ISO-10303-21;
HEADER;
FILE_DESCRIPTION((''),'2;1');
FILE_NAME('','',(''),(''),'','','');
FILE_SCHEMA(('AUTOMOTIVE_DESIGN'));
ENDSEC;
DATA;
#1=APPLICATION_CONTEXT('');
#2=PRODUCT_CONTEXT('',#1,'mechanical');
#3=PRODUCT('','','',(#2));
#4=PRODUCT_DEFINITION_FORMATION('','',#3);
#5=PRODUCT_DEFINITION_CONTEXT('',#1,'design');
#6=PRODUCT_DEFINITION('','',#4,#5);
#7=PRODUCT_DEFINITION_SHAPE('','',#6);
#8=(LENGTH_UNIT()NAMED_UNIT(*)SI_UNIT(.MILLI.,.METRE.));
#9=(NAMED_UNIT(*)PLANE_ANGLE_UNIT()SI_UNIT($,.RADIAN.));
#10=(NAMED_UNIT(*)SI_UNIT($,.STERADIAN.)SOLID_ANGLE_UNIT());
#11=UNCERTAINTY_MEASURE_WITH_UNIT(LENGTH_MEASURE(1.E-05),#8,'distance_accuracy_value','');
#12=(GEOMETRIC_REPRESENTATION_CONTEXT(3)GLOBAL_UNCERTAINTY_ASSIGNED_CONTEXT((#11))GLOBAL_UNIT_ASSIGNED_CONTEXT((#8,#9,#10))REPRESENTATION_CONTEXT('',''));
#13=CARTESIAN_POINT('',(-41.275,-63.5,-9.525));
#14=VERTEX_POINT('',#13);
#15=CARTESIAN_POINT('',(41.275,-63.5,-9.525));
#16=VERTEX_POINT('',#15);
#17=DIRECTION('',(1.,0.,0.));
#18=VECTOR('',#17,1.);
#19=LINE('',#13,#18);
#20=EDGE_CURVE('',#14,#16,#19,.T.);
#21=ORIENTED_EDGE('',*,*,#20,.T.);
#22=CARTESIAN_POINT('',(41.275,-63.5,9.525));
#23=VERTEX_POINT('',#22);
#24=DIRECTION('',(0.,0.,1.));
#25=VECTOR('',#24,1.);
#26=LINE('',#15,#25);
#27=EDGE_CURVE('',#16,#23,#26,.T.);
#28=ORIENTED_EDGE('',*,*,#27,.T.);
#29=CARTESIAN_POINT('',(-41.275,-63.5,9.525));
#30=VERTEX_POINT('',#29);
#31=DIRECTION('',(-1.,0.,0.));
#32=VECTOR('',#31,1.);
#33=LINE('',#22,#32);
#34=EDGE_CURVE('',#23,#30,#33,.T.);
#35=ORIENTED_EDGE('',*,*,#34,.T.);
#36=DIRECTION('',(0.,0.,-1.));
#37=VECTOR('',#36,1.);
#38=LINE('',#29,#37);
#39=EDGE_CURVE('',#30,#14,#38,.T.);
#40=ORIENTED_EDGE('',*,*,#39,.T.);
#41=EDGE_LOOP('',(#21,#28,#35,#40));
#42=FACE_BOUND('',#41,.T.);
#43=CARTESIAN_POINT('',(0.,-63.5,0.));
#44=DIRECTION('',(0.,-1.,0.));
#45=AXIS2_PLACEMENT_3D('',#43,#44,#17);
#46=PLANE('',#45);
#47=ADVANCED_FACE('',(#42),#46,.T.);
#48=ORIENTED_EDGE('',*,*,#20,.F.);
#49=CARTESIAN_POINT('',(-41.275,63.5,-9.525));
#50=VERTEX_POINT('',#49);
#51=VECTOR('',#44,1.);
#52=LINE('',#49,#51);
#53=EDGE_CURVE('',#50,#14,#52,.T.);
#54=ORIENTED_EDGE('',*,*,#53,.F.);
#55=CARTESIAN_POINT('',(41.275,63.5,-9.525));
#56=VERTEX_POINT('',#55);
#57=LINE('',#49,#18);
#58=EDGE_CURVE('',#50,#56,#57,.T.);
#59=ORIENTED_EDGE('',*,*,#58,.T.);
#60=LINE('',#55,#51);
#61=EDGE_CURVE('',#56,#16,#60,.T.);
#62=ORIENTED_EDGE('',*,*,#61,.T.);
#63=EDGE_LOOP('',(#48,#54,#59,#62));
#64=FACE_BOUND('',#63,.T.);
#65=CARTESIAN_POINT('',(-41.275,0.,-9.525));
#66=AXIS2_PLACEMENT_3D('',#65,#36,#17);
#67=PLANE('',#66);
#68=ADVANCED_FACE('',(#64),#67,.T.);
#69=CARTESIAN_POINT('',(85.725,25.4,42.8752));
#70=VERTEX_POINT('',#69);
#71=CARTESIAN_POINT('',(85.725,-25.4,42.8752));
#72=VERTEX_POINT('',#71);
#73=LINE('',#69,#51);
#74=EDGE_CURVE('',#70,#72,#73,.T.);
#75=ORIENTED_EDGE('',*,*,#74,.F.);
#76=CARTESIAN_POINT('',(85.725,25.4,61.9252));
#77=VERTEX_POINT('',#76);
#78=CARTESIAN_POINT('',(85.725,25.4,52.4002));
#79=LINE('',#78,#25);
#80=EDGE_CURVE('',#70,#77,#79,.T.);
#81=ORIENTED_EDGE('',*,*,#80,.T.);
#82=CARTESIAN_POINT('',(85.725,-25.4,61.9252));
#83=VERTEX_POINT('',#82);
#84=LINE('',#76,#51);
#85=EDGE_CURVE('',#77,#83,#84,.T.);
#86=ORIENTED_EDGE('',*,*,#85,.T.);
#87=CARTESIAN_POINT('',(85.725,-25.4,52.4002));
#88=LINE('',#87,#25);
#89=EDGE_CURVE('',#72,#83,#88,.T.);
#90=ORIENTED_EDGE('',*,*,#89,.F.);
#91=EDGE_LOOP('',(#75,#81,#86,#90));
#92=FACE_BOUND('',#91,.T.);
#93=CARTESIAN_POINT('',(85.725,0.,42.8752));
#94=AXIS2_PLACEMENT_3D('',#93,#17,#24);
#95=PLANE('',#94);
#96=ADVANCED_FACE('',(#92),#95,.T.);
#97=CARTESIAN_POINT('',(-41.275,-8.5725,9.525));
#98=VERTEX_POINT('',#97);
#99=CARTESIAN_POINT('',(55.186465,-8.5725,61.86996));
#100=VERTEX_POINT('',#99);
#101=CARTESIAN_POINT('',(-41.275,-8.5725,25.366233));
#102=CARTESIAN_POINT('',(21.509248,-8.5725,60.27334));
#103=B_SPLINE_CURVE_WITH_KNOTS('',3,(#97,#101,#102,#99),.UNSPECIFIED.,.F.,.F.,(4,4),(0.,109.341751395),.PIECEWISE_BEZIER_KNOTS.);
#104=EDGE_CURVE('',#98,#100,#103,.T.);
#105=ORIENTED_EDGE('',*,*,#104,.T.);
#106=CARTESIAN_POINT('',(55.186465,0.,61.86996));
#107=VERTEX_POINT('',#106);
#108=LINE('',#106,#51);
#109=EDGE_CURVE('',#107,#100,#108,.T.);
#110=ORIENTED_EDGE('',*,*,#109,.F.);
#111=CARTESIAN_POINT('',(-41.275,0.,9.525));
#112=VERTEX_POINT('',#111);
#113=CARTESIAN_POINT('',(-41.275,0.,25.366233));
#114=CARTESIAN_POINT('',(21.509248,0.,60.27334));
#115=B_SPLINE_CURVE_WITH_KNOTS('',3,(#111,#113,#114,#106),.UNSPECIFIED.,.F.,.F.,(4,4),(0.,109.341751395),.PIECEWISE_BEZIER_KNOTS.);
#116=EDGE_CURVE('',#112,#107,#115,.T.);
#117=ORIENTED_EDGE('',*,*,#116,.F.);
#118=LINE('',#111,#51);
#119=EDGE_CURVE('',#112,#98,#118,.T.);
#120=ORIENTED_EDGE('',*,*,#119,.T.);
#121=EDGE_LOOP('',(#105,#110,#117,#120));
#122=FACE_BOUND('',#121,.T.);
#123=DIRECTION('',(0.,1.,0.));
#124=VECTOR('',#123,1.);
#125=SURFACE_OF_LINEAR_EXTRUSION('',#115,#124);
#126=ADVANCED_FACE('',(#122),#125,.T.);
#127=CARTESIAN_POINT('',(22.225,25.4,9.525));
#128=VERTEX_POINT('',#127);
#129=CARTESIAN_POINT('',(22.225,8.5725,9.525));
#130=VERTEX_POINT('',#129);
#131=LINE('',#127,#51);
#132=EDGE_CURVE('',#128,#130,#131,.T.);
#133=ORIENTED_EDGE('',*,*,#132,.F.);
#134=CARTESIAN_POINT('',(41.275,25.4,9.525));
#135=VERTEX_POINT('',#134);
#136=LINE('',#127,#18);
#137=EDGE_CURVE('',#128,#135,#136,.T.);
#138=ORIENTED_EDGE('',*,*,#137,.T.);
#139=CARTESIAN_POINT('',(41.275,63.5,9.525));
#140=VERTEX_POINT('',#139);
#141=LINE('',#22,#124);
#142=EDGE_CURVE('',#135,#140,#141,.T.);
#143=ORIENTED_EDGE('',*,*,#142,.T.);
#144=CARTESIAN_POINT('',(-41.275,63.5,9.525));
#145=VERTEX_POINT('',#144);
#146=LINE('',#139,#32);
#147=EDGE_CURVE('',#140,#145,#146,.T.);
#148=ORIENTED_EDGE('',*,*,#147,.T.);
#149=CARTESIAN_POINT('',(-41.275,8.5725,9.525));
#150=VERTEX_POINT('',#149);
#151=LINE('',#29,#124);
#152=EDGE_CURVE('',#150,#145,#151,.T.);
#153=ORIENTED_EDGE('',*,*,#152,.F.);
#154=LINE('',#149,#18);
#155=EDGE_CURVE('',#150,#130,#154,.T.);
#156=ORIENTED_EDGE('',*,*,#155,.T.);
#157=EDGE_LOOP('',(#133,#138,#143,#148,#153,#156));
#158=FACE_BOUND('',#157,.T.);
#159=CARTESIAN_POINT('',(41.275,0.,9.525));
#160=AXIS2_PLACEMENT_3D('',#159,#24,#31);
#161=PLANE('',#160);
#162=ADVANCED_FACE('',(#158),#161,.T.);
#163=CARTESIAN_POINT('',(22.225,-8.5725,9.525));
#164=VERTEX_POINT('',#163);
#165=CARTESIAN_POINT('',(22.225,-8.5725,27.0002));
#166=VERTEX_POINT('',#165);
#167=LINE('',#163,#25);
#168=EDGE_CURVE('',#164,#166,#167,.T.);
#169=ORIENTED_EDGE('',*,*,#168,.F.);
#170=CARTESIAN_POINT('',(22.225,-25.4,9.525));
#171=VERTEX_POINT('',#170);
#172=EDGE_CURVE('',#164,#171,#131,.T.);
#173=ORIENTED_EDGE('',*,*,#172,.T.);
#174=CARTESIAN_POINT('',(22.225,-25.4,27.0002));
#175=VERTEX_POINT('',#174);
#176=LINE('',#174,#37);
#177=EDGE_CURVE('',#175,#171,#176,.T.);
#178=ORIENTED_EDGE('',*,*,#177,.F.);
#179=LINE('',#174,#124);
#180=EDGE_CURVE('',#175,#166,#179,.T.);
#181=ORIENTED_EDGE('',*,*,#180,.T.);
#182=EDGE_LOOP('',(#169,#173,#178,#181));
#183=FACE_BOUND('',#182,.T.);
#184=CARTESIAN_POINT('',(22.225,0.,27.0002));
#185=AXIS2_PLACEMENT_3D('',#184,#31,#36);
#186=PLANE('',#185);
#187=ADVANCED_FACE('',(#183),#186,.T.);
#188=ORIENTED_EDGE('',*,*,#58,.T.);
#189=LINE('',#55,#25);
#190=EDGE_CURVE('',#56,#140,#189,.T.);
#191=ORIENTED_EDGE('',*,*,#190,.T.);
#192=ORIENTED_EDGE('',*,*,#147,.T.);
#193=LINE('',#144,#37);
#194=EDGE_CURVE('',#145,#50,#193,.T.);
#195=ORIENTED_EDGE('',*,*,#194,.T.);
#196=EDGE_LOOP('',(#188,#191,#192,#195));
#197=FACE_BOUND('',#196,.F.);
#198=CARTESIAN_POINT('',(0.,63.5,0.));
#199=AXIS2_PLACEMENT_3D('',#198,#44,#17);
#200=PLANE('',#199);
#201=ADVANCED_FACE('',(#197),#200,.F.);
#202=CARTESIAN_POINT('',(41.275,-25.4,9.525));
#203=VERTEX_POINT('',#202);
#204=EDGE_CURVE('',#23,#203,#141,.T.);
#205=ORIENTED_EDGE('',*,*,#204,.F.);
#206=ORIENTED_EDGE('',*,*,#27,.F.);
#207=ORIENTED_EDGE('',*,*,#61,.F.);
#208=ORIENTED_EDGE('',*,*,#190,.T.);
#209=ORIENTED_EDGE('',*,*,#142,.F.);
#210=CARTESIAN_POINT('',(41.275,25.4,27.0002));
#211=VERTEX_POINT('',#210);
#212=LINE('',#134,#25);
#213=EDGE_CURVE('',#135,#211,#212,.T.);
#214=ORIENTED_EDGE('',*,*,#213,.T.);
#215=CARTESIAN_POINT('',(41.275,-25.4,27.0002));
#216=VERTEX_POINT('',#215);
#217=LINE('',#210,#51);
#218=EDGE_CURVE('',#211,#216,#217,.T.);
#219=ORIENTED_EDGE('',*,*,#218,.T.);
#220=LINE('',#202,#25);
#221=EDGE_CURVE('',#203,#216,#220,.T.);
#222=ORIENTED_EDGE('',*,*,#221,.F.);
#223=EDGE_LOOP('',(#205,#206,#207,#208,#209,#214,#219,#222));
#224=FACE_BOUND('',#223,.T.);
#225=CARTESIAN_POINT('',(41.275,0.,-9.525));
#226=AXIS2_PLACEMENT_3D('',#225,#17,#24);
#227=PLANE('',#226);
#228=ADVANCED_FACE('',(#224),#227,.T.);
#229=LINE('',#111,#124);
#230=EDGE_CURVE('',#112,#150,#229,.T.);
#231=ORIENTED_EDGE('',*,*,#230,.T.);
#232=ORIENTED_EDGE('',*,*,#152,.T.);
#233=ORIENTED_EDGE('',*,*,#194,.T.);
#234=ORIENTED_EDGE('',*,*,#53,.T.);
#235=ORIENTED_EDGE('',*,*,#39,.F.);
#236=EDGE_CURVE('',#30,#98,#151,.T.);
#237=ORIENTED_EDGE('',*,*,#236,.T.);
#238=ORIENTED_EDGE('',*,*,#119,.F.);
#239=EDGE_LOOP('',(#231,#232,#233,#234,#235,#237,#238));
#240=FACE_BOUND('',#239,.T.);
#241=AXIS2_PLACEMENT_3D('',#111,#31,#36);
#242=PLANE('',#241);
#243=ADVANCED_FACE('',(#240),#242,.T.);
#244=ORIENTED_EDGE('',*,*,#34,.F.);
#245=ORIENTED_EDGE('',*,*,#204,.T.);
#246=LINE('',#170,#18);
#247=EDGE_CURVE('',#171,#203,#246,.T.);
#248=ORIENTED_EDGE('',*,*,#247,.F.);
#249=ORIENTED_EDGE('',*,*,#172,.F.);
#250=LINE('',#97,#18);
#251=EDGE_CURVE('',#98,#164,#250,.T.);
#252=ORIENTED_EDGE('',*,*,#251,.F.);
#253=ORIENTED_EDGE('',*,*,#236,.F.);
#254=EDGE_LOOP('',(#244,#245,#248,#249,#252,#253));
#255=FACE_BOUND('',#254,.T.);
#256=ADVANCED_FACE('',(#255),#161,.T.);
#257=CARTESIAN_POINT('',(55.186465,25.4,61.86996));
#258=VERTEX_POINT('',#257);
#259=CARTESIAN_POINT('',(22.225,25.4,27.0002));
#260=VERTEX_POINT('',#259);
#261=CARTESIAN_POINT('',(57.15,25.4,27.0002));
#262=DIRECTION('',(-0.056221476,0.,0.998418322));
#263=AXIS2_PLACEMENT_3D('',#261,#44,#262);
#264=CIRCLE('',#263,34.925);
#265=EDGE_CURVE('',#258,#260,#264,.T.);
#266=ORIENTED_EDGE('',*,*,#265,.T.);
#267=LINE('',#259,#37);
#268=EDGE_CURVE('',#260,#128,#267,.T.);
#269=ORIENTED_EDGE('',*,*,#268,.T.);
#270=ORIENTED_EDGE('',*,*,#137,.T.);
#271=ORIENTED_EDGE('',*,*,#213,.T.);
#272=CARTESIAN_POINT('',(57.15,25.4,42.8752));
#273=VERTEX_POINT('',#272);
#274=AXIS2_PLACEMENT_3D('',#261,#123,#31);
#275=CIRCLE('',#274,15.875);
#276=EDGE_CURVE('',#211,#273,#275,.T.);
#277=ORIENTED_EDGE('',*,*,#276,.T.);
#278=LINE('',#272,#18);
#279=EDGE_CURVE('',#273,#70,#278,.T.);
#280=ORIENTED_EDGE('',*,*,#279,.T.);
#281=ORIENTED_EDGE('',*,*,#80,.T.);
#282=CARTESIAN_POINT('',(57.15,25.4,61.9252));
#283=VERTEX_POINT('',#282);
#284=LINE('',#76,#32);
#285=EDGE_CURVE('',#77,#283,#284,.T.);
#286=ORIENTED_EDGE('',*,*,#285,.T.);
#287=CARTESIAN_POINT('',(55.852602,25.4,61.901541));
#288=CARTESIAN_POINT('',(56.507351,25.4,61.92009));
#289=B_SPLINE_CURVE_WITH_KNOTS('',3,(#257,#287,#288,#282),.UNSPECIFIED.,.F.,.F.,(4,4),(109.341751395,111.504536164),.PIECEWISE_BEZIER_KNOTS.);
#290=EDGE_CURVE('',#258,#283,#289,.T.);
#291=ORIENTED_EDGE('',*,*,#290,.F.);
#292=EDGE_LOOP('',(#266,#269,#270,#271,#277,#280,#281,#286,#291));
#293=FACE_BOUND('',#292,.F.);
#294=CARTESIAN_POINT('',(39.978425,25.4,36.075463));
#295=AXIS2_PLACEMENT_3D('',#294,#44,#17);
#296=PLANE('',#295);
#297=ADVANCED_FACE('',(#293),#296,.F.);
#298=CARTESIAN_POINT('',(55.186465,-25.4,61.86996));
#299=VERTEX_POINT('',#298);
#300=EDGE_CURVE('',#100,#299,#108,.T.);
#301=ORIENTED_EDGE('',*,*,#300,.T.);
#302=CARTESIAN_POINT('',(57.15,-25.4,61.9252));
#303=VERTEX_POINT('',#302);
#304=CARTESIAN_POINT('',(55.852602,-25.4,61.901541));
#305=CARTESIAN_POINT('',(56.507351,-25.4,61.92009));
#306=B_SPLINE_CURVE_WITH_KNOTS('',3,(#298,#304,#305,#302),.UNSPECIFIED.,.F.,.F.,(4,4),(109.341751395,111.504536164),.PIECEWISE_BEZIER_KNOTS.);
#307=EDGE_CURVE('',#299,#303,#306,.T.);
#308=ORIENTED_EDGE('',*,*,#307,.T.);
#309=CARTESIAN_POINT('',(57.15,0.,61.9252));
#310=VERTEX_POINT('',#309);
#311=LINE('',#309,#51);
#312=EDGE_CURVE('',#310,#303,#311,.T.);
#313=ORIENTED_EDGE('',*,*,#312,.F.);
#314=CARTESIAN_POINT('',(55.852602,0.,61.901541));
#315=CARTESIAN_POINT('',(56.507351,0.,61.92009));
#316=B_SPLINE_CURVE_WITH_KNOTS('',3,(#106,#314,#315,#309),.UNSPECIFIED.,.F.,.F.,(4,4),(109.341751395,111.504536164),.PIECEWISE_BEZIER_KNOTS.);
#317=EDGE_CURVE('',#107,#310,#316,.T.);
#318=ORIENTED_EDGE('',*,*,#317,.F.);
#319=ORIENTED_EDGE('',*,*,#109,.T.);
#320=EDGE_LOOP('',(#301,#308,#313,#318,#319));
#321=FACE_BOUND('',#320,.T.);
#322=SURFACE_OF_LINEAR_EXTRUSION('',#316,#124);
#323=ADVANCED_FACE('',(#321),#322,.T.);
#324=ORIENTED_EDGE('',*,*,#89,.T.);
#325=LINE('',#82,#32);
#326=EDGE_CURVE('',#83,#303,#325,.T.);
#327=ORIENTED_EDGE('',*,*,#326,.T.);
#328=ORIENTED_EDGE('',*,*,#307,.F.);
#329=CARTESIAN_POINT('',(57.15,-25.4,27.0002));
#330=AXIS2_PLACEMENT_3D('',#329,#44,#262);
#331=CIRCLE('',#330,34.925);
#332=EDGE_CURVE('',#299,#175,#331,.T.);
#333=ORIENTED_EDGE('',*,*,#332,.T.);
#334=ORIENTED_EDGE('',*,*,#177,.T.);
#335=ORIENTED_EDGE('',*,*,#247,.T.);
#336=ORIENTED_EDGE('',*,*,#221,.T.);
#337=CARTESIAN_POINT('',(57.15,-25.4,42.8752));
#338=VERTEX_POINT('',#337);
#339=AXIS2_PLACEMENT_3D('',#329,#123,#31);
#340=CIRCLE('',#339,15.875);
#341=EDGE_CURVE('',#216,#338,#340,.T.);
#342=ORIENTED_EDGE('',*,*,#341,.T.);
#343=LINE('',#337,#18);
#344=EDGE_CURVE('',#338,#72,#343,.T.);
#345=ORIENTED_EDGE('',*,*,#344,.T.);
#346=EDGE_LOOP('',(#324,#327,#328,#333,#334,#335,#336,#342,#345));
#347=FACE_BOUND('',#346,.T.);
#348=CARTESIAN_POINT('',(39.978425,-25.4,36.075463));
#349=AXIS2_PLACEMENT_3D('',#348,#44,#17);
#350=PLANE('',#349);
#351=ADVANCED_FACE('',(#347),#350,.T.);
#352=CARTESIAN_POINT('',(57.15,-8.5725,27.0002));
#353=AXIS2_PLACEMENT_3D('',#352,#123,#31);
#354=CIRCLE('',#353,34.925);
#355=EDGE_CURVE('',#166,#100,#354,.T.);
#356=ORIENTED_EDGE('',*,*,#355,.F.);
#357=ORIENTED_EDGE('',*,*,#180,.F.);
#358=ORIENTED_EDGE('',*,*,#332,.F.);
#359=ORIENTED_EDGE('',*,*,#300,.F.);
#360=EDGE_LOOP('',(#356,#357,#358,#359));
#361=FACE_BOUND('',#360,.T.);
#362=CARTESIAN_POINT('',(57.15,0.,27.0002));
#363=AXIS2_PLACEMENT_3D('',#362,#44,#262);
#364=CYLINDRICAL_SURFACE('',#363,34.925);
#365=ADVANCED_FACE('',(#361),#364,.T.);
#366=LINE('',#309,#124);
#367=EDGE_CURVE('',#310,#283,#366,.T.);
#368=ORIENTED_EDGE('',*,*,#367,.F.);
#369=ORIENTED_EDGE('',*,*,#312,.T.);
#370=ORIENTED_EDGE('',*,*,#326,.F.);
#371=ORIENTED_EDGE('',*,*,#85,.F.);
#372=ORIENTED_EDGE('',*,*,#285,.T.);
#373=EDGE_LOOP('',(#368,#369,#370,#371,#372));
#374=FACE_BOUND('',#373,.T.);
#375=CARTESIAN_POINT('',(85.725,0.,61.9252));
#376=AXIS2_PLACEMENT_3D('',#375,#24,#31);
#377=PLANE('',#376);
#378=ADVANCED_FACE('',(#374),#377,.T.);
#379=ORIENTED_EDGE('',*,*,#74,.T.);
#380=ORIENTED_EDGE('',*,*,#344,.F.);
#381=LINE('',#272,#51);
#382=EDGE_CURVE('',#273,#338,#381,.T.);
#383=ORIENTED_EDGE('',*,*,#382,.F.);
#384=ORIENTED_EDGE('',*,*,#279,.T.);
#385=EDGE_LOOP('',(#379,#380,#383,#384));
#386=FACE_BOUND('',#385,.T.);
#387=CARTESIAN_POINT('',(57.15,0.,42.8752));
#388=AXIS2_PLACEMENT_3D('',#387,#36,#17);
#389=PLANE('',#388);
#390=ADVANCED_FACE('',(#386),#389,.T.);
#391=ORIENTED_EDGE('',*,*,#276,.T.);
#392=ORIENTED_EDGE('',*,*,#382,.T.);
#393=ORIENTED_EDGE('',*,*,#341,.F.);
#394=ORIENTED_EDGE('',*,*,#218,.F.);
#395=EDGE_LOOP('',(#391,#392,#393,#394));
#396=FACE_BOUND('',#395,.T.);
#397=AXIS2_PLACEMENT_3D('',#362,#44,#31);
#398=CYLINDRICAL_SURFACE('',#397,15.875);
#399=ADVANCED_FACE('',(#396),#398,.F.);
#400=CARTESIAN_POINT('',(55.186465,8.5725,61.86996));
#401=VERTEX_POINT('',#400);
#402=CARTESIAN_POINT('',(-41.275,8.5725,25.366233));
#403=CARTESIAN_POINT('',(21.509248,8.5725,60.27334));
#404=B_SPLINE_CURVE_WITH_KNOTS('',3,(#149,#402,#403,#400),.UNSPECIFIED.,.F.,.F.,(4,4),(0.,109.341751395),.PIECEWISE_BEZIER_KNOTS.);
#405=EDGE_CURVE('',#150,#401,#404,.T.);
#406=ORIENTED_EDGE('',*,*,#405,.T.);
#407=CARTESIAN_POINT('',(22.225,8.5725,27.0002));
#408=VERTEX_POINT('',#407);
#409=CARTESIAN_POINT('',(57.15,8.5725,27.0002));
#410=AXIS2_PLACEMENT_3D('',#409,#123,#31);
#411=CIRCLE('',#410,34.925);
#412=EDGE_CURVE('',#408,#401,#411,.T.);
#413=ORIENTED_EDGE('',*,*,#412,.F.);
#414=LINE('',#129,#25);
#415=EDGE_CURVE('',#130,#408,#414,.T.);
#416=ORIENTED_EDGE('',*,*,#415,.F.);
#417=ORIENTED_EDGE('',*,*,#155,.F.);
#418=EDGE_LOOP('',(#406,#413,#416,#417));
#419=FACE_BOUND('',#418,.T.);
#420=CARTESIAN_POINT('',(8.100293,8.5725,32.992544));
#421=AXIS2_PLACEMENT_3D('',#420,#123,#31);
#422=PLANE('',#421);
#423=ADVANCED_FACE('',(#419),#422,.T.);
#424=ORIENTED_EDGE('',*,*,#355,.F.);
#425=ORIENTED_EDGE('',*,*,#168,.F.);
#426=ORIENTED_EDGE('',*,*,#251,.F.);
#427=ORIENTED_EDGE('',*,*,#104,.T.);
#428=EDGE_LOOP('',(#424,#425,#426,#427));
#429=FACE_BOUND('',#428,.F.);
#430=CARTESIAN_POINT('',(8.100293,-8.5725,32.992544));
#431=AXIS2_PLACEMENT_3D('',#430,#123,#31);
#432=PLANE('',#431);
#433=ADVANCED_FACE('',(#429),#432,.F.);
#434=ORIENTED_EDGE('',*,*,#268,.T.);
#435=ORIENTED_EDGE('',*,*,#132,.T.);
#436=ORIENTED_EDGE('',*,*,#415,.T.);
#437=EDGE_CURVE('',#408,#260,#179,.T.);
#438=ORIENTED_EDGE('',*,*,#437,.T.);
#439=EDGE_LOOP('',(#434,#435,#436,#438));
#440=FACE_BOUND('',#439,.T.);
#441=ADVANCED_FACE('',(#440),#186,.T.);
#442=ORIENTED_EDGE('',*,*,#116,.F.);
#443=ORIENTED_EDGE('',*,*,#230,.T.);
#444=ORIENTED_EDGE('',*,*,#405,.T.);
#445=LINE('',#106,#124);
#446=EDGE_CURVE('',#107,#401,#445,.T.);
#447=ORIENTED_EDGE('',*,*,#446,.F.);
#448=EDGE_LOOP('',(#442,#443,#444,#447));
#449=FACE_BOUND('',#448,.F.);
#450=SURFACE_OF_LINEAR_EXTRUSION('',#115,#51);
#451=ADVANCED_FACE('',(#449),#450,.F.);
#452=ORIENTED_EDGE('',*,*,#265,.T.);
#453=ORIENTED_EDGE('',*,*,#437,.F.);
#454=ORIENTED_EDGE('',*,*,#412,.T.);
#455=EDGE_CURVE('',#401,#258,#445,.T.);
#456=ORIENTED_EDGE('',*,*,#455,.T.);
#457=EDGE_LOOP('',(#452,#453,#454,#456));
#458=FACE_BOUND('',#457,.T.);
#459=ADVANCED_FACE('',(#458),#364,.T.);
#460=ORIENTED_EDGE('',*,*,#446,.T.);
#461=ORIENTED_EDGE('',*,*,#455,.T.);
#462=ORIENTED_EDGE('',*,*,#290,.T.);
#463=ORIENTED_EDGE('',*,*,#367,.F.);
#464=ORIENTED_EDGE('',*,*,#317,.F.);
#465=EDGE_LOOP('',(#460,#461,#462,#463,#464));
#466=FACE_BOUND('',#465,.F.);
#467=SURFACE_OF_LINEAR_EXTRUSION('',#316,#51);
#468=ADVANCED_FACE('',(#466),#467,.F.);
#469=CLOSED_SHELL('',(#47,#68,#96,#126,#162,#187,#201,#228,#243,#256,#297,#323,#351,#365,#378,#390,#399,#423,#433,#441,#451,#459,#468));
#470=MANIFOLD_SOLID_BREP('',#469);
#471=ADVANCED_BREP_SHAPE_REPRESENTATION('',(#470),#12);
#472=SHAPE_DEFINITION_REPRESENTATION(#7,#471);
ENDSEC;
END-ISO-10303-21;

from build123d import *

# Parameters (mm, degrees)
F1_DEPTH = 63.5
F0_W     = 25.2919347882
F0_H     = 19.05
F2_DEPTH = 25.4
F3_DEPTH = 8.5725


with BuildPart() as f1:
    # F0 (on Front) → F1 (new body, symmetric)
    with BuildSketch(Plane.XZ):
        Polygon((22.225, 9.525), (-41.275, 9.525), (-41.275, -9.525), (41.275, -9.525), (41.275, 9.525), align=None)
    extrude(amount=F1_DEPTH, both=True)

    # F0 (on Front) → F2 (join, symmetric)
    with BuildSketch(Plane.XZ):
        with BuildLine():
            Line((22.225, 27.0002), (22.225, 9.525))
            Line((22.225, 9.525), (41.275, 9.525))
            Line((41.275, 9.525), (41.275, 27.0002))
            ThreePointArc((41.275, 27.0002), (45.9246798487, 38.2255201513), (57.15, 42.8752))
            Line((57.15, 42.8752), (60.4330652118, 42.8752))
            Line((60.4330652118, 42.8752), (60.4330652118, 61.9252))
            Line((60.4330652118, 61.9252), (57.15, 61.9252))
            add(Edge.make_bspline(
                [(55.1864649446, 61.8699598943), (55.8526018083, 61.9015411095), (56.5073505407, 61.9200895907), (57.15, 61.9252)],
                knots=[109.3417513955, 109.3417513955, 109.3417513955, 109.3417513955, 111.5045361635, 111.5045361635, 111.5045361635, 111.5045361635], degree=3))
            ThreePointArc((55.1864649446, 61.8699598943), (31.7695736165, 50.9916480929), (22.225, 27.0002))
        make_face()
        with Locations((73.0790326059, 52.4002)):
            Rectangle(F0_W, F0_H)
    extrude(amount=F2_DEPTH, both=True)

    # F0 (on Front) → F3 (join, symmetric)
    with BuildSketch(Plane.XZ):
        with BuildLine():
            add(Edge.make_bspline(
                [(-41.275, 9.525), (-41.275, 25.3662331122), (21.509248225, 60.2733399101), (55.1864649446, 61.8699598943)],
                knots=[0, 0, 0, 0, 109.3417513955, 109.3417513955, 109.3417513955, 109.3417513955], degree=3))
            Line((-41.275, 9.525), (22.225, 9.525))
            Line((22.225, 9.525), (22.225, 27.0002))
            ThreePointArc((22.225, 27.0002), (31.7695736165, 50.9916480929), (55.1864649446, 61.8699598943))
        make_face()
    extrude(amount=F3_DEPTH, both=True)


solid = f1.part
